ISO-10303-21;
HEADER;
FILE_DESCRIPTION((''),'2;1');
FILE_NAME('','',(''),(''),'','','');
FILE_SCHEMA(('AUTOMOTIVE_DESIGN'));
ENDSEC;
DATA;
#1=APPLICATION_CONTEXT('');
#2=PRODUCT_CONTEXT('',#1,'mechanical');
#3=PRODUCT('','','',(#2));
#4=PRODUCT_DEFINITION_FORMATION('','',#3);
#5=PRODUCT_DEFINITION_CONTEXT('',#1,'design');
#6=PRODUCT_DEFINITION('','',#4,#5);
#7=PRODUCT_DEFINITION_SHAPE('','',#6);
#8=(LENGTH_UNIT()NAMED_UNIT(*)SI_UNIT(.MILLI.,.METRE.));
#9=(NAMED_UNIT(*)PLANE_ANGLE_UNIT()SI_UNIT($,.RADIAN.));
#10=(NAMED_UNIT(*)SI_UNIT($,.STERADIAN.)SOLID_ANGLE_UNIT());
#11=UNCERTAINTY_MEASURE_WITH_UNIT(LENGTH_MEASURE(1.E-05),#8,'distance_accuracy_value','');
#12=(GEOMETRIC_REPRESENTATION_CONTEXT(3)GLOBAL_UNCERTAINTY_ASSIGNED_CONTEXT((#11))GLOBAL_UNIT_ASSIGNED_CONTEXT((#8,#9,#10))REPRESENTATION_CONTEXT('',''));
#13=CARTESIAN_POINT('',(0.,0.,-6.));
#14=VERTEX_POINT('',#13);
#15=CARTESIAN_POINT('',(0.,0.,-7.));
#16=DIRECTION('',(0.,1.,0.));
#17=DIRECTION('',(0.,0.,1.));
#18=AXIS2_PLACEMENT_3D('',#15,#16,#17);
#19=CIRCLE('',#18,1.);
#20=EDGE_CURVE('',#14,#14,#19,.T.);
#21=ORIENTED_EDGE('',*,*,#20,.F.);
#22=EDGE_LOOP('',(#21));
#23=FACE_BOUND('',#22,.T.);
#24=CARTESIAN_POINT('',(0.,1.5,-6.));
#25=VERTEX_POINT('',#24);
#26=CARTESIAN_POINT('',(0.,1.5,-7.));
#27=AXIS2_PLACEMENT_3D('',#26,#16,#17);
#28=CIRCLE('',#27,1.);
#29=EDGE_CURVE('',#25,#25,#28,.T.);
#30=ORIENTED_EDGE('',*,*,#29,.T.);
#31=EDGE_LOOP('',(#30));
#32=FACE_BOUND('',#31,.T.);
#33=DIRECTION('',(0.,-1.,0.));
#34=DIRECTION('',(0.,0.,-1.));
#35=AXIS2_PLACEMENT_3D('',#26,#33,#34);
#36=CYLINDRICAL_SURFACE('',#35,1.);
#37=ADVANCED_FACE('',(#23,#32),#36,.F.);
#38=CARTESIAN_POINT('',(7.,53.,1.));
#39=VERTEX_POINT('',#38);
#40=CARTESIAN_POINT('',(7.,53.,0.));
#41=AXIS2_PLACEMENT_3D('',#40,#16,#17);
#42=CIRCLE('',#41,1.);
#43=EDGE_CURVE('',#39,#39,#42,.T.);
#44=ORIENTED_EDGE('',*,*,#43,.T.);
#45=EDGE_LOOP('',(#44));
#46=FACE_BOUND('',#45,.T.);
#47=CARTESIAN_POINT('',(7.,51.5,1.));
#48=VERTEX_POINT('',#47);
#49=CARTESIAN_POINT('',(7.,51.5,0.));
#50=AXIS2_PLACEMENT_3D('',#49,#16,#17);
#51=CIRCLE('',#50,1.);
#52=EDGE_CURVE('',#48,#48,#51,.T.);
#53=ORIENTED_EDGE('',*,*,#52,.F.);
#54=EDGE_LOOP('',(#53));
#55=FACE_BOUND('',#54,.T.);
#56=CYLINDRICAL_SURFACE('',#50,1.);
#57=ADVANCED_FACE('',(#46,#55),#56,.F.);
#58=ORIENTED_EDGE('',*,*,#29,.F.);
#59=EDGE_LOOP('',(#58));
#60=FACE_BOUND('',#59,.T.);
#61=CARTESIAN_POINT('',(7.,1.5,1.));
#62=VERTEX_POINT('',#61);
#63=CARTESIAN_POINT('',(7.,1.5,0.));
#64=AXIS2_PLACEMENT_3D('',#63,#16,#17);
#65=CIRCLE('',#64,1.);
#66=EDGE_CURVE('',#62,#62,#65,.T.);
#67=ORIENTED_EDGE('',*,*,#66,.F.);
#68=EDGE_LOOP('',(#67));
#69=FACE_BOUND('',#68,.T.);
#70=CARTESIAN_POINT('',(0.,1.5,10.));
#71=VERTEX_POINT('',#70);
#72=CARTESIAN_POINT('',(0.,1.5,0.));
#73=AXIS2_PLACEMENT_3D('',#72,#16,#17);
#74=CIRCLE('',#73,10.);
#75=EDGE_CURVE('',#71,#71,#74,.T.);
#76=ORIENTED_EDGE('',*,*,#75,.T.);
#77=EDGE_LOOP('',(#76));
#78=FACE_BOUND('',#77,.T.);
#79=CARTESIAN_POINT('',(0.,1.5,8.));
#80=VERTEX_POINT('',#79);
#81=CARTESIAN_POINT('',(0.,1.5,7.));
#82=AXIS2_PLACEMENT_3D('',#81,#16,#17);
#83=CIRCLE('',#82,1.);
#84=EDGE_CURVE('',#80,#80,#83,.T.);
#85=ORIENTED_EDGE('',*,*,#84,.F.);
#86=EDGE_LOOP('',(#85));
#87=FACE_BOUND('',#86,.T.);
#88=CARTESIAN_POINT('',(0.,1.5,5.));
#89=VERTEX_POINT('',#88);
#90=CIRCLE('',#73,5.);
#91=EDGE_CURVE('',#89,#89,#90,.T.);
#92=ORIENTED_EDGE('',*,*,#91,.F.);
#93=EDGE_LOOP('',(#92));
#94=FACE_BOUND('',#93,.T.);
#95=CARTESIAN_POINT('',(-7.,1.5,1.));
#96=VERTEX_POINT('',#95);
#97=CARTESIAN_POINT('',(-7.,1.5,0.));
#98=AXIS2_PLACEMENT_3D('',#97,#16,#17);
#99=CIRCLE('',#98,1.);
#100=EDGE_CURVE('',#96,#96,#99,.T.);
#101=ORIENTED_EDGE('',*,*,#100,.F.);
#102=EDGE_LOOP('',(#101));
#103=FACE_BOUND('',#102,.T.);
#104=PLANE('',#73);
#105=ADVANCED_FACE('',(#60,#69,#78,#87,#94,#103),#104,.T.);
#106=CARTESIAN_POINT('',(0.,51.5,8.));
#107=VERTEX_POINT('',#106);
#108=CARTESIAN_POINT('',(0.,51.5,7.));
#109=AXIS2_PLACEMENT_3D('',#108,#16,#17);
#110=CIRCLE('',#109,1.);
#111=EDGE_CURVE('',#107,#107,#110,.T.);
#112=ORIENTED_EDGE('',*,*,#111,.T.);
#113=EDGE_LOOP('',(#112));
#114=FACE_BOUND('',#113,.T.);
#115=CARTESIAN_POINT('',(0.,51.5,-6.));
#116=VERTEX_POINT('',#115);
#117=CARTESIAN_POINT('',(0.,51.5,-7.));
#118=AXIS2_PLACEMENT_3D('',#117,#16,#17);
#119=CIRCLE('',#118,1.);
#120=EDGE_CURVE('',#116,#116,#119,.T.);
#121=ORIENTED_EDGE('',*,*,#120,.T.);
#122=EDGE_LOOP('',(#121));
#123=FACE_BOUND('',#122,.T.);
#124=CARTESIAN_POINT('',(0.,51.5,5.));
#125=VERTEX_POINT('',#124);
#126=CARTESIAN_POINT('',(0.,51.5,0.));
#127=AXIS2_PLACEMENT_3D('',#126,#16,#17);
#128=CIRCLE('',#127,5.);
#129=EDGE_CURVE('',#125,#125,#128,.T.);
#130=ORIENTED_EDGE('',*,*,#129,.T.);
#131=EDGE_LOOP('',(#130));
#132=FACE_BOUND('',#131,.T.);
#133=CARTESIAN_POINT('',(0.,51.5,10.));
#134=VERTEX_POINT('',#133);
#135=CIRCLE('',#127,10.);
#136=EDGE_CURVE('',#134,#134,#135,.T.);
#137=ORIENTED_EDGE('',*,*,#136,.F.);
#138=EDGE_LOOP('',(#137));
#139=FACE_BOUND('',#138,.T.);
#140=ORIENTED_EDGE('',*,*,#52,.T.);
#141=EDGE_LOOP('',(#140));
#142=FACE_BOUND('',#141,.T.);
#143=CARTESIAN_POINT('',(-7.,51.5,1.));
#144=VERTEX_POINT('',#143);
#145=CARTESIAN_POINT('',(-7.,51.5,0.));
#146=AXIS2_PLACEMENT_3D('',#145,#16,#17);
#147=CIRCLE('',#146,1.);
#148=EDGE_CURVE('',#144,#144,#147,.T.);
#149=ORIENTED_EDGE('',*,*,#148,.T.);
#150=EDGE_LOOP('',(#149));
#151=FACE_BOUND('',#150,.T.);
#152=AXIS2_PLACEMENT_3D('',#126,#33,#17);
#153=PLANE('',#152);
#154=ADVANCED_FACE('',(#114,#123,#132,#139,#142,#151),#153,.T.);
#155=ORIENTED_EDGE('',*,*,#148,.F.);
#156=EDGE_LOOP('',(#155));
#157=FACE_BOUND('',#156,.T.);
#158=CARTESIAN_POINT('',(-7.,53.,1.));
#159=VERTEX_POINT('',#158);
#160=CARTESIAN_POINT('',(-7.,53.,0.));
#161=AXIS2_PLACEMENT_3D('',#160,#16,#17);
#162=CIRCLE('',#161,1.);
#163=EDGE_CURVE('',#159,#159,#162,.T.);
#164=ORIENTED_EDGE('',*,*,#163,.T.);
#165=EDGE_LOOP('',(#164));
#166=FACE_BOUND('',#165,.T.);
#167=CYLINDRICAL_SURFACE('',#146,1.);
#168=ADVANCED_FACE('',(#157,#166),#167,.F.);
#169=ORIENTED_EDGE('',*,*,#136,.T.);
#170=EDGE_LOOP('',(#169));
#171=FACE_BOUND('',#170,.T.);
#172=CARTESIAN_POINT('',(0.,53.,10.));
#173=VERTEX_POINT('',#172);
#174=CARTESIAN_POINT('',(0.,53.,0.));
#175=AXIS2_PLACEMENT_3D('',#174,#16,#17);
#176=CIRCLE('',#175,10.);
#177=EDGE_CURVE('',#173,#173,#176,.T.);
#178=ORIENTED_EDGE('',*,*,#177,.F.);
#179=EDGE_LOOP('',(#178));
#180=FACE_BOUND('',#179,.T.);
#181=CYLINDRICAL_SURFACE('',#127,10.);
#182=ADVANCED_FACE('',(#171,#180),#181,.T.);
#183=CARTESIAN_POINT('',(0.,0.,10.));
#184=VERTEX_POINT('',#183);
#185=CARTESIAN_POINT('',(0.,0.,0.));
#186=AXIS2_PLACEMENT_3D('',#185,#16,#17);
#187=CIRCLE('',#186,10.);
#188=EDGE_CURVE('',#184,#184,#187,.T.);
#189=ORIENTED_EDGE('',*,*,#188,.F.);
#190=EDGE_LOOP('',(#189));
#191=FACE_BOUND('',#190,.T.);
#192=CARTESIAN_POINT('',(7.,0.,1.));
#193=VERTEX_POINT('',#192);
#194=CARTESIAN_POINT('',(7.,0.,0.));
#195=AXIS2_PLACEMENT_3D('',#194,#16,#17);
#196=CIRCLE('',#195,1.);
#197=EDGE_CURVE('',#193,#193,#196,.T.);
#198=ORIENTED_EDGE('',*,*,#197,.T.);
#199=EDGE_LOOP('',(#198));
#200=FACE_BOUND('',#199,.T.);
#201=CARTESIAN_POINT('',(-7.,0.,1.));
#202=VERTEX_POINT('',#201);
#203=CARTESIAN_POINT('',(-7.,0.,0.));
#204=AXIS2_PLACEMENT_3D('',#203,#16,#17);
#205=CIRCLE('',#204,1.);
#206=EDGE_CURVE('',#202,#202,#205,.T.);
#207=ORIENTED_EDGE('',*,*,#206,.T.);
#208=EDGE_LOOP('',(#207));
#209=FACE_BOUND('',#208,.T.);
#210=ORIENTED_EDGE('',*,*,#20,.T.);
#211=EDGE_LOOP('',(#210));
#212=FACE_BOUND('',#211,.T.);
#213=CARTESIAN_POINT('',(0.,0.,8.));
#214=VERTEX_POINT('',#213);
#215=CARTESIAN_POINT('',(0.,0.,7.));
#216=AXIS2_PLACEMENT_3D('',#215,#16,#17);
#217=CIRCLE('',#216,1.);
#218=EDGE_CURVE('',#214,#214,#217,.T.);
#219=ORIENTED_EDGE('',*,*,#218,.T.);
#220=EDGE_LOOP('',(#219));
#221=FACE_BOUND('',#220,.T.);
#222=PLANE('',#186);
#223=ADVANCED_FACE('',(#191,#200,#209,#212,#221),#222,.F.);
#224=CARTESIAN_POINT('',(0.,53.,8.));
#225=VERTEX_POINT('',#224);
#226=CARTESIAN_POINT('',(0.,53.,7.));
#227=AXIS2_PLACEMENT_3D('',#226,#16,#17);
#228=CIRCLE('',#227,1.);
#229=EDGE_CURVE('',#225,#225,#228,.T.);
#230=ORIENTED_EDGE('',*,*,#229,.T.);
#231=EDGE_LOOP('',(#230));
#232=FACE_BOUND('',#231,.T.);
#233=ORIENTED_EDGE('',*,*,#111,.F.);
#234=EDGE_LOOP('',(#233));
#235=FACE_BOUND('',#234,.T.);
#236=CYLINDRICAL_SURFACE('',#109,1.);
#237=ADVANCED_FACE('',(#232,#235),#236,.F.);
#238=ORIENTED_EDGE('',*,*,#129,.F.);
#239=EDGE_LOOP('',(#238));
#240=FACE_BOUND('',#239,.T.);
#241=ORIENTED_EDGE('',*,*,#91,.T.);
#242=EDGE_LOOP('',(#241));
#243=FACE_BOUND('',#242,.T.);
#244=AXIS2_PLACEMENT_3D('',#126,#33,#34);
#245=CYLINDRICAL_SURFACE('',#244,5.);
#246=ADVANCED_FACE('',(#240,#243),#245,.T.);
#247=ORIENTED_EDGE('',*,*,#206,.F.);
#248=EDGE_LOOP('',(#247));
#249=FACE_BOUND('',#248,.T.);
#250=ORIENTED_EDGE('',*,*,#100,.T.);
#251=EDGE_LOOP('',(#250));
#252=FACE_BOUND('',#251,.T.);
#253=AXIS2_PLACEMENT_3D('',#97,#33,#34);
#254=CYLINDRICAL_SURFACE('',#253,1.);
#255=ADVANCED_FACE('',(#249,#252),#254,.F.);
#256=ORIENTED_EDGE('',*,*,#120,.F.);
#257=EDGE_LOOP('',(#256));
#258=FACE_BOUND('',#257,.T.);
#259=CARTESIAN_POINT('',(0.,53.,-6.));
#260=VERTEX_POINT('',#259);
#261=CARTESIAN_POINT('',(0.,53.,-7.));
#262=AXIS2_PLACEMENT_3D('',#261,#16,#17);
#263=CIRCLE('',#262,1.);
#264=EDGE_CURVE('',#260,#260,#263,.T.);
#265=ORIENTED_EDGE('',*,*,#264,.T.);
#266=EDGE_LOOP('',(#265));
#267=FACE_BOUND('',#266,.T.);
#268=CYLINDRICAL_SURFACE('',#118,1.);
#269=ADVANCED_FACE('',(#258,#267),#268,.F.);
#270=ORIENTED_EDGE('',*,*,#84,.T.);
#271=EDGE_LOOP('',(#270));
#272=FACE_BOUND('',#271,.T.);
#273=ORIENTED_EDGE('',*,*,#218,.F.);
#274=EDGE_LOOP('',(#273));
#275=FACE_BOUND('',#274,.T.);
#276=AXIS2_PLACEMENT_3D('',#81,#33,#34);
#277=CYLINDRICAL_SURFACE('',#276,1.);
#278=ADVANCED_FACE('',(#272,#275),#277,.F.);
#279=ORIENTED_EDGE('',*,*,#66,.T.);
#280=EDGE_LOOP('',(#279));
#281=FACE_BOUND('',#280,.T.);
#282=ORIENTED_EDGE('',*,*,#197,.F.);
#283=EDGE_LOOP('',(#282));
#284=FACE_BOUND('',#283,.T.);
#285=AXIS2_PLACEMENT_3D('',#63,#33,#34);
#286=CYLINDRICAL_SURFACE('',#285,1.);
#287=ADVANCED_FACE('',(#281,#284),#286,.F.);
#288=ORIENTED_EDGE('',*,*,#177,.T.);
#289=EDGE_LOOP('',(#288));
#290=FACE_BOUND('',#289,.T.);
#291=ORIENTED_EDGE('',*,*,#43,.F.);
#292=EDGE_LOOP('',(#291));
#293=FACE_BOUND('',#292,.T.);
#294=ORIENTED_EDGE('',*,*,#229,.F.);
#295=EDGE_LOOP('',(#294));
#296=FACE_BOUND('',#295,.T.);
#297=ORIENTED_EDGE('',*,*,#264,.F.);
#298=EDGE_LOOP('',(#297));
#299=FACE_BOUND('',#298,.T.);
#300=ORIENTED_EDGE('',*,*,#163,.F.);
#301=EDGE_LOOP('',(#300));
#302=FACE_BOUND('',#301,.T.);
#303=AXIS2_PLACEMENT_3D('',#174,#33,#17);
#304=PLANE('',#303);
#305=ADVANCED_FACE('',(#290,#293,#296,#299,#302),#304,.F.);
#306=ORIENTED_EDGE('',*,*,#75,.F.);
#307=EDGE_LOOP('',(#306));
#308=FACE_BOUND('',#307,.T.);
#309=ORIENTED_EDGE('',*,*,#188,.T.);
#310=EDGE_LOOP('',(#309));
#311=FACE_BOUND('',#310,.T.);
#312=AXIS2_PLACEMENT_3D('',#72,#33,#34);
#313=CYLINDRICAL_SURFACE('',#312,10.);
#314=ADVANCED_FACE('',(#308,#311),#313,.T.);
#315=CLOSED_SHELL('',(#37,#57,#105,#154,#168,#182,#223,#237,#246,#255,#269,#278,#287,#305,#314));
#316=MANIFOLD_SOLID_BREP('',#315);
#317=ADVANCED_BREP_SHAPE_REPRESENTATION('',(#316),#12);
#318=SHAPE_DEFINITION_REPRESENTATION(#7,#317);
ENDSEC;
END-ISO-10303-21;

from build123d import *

# Parameters (mm, degrees)
SKETCH1_R           = 10
SKETCH1_R_2         = 2
SKETCH1_R_3         = 1
BOSS_EXTRUDE1_DEPTH = 1.5
SKETCH2_R           = 5
BOSS_EXTRUDE2_DEPTH = 50


with BuildPart() as part:
    # Sketch1 → Boss-Extrude1 (new body)
    # profile 1 of 2: a face of its own
    with BuildSketch(Plane(origin=(0, 0, 0), x_dir=(1, 0, 0), z_dir=(0, 1, 0))):
        with Locations(Location((0, 0, 0), (0, 0, 270))):
            Circle(SKETCH1_R)
        Circle(SKETCH1_R_2, mode=Mode.SUBTRACT)
        with Locations(Location((0, -7, 0), (0, 0, 270))):
            Circle(SKETCH1_R_3, mode=Mode.SUBTRACT)
        with Locations(Location((7, 0, 0), (0, 0, 270))):
            Circle(SKETCH1_R_3, mode=Mode.SUBTRACT)
        with Locations(Location((0, 7, 0), (0, 0, 270))):
            Circle(SKETCH1_R_3, mode=Mode.SUBTRACT)
        with Locations(Location((-7, 0, 0), (0, 0, 270))):
            Circle(SKETCH1_R_3, mode=Mode.SUBTRACT)
    # profile 2 of 2: a face of its own
    with BuildSketch(Plane(origin=(0, 0, 0), x_dir=(1, 0, 0), z_dir=(0, 1, 0))):
        Circle(SKETCH1_R_2)
    boss_extrude1 = extrude(amount=BOSS_EXTRUDE1_DEPTH)

    # Sketch2 → Boss-Extrude2 (add)
    with BuildSketch(Plane(origin=(0, 1.5, 0), x_dir=(1, 0, 0), z_dir=(0, 1, 0))):
        with Locations(Location((0, 0, 0), (0, 0, 270))):
            Circle(SKETCH2_R)
    extrude(amount=BOSS_EXTRUDE2_DEPTH)

    # Mirror1: Boss-Extrude1 across plane
    add(boss_extrude1.mirror(Plane.ZX.offset(26.5)))


solid = part.part
